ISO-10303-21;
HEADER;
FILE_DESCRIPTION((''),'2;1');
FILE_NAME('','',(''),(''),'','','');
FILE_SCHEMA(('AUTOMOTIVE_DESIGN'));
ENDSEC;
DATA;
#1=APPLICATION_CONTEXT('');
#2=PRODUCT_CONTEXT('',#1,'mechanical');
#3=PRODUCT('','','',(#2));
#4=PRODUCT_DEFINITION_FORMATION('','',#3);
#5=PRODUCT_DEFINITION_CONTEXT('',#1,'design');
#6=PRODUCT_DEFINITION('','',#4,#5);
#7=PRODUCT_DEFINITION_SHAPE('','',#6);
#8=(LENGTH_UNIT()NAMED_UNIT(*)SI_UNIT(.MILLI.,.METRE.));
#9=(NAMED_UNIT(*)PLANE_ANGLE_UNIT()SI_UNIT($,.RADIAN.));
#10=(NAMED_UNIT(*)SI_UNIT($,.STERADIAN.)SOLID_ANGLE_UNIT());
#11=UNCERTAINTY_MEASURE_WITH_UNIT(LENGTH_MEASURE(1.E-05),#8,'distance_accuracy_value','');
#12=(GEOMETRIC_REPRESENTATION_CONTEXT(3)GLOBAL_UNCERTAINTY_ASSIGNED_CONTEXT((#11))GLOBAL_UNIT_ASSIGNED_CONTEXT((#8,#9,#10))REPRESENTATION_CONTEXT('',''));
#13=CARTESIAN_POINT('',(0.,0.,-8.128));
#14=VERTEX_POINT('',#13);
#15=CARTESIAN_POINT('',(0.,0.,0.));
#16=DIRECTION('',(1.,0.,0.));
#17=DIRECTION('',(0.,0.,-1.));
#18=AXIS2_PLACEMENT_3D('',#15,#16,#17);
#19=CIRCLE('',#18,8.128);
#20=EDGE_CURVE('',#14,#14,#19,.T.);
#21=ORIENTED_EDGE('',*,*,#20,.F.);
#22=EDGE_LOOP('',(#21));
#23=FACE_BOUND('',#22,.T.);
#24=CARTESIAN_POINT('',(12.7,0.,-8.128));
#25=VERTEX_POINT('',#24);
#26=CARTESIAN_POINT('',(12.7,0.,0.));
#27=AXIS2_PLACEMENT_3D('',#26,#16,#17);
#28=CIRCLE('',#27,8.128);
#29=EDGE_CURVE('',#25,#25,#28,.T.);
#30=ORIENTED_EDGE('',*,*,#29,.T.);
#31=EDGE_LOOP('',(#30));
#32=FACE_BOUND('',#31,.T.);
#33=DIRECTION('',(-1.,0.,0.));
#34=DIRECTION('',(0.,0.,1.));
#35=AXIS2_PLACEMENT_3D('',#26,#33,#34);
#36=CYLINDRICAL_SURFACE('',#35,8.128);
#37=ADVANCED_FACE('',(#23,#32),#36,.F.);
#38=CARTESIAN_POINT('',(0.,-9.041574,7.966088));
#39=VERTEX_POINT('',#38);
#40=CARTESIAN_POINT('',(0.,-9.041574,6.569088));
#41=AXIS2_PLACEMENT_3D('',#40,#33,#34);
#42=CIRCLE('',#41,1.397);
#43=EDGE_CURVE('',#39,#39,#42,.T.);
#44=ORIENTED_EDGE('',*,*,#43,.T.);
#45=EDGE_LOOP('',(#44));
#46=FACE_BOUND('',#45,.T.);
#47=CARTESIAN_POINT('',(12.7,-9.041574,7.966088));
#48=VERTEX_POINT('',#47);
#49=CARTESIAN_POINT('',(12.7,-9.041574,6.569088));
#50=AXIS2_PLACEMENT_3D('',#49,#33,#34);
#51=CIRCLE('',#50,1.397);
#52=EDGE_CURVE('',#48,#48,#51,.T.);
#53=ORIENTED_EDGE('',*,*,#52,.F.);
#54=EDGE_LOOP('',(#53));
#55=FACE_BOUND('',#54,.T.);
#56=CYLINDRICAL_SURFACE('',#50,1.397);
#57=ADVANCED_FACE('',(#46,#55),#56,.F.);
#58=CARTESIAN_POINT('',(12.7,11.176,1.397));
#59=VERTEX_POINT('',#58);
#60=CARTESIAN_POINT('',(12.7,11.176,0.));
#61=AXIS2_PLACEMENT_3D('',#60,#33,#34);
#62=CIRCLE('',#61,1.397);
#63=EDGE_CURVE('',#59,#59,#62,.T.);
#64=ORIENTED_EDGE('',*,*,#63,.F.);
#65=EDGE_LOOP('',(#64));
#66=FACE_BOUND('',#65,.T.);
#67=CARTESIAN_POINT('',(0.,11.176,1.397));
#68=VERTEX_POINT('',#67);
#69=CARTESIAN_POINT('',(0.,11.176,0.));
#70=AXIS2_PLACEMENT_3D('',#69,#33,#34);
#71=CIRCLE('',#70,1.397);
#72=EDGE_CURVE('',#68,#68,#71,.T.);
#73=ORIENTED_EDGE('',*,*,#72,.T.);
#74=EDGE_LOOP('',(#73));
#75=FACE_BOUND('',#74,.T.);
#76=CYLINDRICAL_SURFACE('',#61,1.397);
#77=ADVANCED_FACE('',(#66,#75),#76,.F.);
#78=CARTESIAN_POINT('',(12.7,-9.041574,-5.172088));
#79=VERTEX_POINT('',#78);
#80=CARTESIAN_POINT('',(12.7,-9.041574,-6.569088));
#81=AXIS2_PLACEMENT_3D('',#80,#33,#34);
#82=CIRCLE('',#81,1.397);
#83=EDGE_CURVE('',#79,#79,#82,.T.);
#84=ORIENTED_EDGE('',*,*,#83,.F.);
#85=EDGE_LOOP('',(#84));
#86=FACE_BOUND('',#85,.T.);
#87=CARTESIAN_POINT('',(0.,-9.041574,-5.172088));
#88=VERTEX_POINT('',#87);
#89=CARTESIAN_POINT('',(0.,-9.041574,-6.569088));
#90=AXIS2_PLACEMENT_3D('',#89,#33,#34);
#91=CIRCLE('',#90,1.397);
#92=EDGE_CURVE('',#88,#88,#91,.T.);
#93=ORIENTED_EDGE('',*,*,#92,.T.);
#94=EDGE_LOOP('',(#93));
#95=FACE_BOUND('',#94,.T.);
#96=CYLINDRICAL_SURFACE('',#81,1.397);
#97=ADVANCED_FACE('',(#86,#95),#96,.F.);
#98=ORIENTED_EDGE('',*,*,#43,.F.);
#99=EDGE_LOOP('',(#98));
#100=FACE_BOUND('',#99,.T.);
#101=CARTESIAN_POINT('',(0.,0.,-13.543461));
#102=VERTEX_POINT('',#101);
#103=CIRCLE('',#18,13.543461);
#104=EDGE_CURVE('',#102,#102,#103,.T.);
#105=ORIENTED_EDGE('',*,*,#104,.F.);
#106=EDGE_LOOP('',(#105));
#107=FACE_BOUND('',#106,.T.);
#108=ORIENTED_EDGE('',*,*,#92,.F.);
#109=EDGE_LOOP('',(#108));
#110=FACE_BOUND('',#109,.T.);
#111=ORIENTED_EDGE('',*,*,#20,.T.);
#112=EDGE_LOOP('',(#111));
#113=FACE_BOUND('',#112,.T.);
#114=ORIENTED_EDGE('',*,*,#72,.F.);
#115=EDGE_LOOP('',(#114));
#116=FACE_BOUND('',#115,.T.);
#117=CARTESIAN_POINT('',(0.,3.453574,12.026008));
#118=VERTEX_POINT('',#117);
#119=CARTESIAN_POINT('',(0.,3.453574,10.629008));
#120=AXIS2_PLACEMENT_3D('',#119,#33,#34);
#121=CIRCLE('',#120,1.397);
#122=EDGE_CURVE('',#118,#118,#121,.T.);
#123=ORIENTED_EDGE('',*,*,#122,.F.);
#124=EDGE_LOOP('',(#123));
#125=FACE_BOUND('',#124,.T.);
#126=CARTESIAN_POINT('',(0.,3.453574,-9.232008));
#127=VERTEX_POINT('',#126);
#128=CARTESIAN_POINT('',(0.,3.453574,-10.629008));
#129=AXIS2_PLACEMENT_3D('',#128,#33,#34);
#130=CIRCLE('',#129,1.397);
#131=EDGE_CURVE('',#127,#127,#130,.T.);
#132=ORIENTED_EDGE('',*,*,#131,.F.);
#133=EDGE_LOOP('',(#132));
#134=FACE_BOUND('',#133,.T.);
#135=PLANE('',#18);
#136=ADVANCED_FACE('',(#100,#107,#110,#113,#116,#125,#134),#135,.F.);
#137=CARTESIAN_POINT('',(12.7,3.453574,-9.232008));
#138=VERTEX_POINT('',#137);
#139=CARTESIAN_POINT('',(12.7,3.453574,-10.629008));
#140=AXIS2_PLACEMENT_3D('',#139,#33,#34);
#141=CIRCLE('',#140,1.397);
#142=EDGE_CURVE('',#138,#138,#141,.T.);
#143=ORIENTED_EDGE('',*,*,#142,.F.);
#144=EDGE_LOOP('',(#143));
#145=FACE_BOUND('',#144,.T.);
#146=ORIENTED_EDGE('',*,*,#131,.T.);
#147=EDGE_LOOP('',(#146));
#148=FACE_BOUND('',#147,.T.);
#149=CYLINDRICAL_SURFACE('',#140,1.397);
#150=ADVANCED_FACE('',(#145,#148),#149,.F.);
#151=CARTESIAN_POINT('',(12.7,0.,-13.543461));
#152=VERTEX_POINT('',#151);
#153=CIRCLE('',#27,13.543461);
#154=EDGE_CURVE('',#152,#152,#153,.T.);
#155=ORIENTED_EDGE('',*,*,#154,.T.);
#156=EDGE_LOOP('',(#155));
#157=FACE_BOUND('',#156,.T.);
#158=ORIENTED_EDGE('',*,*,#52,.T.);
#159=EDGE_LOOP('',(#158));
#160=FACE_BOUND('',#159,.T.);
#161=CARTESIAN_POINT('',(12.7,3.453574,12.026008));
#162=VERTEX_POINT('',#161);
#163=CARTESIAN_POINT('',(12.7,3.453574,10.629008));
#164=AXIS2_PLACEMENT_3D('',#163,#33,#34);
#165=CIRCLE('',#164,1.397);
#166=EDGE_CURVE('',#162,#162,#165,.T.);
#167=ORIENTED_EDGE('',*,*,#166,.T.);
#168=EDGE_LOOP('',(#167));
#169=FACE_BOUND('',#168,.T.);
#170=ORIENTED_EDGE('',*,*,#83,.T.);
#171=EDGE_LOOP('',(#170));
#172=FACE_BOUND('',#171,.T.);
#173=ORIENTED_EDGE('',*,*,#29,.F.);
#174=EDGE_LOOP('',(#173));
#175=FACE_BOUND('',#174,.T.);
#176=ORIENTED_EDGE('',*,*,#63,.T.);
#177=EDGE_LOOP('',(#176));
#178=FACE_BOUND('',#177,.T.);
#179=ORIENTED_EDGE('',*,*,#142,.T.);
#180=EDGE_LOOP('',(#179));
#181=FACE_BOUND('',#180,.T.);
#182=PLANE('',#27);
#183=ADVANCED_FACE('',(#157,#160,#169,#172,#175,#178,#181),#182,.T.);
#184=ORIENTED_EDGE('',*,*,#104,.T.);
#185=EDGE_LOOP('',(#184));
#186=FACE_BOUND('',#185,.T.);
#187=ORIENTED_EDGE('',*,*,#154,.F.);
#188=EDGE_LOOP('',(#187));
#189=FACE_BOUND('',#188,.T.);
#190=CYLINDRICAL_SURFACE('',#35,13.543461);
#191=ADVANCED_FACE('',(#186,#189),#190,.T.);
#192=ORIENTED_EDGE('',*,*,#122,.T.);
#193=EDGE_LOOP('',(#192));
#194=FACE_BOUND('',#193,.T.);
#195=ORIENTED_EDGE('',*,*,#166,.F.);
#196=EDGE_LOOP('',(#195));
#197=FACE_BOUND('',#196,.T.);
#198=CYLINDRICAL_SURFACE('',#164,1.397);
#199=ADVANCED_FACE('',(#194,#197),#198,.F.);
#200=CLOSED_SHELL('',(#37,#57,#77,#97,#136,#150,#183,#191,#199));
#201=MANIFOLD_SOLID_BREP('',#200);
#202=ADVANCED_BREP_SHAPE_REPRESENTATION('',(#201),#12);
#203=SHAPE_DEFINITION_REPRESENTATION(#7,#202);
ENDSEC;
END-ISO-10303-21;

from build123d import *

# Parameters (mm, degrees)
SKETCH1_R           = 13.543461356
SKETCH1_R_2         = 8.128
BOSS_EXTRUDE1_DEPTH = 12.7
SKETCH2_R           = 1.397
CUT_EXTRUDE1_DEPTH  = 13.7


with BuildPart() as part:
    # Sketch1 → Boss-Extrude1 (new body)
    with BuildSketch(Plane(origin=(0, 0, 0), x_dir=(0, 0, -1), z_dir=(1, 0, 0))):
        Circle(SKETCH1_R)
        Circle(SKETCH1_R_2, mode=Mode.SUBTRACT)
    extrude(amount=BOSS_EXTRUDE1_DEPTH)

    # Sketch2 → Cut-Extrude1 (cut, through all)
    with BuildSketch(Plane.ZY):
        with Locations((0, 11.176)):
            Circle(SKETCH2_R)
        with Locations((10.629007626, 3.453573929)):
            Circle(SKETCH2_R)
        with Locations((6.56908798, -9.041573929)):
            Circle(SKETCH2_R)
        with Locations((-6.56908798, -9.041573929)):
            Circle(SKETCH2_R)
        with Locations((-10.629007626, 3.453573929)):
            Circle(SKETCH2_R)
    extrude(amount=-CUT_EXTRUDE1_DEPTH, mode=Mode.SUBTRACT)


solid = part.part
